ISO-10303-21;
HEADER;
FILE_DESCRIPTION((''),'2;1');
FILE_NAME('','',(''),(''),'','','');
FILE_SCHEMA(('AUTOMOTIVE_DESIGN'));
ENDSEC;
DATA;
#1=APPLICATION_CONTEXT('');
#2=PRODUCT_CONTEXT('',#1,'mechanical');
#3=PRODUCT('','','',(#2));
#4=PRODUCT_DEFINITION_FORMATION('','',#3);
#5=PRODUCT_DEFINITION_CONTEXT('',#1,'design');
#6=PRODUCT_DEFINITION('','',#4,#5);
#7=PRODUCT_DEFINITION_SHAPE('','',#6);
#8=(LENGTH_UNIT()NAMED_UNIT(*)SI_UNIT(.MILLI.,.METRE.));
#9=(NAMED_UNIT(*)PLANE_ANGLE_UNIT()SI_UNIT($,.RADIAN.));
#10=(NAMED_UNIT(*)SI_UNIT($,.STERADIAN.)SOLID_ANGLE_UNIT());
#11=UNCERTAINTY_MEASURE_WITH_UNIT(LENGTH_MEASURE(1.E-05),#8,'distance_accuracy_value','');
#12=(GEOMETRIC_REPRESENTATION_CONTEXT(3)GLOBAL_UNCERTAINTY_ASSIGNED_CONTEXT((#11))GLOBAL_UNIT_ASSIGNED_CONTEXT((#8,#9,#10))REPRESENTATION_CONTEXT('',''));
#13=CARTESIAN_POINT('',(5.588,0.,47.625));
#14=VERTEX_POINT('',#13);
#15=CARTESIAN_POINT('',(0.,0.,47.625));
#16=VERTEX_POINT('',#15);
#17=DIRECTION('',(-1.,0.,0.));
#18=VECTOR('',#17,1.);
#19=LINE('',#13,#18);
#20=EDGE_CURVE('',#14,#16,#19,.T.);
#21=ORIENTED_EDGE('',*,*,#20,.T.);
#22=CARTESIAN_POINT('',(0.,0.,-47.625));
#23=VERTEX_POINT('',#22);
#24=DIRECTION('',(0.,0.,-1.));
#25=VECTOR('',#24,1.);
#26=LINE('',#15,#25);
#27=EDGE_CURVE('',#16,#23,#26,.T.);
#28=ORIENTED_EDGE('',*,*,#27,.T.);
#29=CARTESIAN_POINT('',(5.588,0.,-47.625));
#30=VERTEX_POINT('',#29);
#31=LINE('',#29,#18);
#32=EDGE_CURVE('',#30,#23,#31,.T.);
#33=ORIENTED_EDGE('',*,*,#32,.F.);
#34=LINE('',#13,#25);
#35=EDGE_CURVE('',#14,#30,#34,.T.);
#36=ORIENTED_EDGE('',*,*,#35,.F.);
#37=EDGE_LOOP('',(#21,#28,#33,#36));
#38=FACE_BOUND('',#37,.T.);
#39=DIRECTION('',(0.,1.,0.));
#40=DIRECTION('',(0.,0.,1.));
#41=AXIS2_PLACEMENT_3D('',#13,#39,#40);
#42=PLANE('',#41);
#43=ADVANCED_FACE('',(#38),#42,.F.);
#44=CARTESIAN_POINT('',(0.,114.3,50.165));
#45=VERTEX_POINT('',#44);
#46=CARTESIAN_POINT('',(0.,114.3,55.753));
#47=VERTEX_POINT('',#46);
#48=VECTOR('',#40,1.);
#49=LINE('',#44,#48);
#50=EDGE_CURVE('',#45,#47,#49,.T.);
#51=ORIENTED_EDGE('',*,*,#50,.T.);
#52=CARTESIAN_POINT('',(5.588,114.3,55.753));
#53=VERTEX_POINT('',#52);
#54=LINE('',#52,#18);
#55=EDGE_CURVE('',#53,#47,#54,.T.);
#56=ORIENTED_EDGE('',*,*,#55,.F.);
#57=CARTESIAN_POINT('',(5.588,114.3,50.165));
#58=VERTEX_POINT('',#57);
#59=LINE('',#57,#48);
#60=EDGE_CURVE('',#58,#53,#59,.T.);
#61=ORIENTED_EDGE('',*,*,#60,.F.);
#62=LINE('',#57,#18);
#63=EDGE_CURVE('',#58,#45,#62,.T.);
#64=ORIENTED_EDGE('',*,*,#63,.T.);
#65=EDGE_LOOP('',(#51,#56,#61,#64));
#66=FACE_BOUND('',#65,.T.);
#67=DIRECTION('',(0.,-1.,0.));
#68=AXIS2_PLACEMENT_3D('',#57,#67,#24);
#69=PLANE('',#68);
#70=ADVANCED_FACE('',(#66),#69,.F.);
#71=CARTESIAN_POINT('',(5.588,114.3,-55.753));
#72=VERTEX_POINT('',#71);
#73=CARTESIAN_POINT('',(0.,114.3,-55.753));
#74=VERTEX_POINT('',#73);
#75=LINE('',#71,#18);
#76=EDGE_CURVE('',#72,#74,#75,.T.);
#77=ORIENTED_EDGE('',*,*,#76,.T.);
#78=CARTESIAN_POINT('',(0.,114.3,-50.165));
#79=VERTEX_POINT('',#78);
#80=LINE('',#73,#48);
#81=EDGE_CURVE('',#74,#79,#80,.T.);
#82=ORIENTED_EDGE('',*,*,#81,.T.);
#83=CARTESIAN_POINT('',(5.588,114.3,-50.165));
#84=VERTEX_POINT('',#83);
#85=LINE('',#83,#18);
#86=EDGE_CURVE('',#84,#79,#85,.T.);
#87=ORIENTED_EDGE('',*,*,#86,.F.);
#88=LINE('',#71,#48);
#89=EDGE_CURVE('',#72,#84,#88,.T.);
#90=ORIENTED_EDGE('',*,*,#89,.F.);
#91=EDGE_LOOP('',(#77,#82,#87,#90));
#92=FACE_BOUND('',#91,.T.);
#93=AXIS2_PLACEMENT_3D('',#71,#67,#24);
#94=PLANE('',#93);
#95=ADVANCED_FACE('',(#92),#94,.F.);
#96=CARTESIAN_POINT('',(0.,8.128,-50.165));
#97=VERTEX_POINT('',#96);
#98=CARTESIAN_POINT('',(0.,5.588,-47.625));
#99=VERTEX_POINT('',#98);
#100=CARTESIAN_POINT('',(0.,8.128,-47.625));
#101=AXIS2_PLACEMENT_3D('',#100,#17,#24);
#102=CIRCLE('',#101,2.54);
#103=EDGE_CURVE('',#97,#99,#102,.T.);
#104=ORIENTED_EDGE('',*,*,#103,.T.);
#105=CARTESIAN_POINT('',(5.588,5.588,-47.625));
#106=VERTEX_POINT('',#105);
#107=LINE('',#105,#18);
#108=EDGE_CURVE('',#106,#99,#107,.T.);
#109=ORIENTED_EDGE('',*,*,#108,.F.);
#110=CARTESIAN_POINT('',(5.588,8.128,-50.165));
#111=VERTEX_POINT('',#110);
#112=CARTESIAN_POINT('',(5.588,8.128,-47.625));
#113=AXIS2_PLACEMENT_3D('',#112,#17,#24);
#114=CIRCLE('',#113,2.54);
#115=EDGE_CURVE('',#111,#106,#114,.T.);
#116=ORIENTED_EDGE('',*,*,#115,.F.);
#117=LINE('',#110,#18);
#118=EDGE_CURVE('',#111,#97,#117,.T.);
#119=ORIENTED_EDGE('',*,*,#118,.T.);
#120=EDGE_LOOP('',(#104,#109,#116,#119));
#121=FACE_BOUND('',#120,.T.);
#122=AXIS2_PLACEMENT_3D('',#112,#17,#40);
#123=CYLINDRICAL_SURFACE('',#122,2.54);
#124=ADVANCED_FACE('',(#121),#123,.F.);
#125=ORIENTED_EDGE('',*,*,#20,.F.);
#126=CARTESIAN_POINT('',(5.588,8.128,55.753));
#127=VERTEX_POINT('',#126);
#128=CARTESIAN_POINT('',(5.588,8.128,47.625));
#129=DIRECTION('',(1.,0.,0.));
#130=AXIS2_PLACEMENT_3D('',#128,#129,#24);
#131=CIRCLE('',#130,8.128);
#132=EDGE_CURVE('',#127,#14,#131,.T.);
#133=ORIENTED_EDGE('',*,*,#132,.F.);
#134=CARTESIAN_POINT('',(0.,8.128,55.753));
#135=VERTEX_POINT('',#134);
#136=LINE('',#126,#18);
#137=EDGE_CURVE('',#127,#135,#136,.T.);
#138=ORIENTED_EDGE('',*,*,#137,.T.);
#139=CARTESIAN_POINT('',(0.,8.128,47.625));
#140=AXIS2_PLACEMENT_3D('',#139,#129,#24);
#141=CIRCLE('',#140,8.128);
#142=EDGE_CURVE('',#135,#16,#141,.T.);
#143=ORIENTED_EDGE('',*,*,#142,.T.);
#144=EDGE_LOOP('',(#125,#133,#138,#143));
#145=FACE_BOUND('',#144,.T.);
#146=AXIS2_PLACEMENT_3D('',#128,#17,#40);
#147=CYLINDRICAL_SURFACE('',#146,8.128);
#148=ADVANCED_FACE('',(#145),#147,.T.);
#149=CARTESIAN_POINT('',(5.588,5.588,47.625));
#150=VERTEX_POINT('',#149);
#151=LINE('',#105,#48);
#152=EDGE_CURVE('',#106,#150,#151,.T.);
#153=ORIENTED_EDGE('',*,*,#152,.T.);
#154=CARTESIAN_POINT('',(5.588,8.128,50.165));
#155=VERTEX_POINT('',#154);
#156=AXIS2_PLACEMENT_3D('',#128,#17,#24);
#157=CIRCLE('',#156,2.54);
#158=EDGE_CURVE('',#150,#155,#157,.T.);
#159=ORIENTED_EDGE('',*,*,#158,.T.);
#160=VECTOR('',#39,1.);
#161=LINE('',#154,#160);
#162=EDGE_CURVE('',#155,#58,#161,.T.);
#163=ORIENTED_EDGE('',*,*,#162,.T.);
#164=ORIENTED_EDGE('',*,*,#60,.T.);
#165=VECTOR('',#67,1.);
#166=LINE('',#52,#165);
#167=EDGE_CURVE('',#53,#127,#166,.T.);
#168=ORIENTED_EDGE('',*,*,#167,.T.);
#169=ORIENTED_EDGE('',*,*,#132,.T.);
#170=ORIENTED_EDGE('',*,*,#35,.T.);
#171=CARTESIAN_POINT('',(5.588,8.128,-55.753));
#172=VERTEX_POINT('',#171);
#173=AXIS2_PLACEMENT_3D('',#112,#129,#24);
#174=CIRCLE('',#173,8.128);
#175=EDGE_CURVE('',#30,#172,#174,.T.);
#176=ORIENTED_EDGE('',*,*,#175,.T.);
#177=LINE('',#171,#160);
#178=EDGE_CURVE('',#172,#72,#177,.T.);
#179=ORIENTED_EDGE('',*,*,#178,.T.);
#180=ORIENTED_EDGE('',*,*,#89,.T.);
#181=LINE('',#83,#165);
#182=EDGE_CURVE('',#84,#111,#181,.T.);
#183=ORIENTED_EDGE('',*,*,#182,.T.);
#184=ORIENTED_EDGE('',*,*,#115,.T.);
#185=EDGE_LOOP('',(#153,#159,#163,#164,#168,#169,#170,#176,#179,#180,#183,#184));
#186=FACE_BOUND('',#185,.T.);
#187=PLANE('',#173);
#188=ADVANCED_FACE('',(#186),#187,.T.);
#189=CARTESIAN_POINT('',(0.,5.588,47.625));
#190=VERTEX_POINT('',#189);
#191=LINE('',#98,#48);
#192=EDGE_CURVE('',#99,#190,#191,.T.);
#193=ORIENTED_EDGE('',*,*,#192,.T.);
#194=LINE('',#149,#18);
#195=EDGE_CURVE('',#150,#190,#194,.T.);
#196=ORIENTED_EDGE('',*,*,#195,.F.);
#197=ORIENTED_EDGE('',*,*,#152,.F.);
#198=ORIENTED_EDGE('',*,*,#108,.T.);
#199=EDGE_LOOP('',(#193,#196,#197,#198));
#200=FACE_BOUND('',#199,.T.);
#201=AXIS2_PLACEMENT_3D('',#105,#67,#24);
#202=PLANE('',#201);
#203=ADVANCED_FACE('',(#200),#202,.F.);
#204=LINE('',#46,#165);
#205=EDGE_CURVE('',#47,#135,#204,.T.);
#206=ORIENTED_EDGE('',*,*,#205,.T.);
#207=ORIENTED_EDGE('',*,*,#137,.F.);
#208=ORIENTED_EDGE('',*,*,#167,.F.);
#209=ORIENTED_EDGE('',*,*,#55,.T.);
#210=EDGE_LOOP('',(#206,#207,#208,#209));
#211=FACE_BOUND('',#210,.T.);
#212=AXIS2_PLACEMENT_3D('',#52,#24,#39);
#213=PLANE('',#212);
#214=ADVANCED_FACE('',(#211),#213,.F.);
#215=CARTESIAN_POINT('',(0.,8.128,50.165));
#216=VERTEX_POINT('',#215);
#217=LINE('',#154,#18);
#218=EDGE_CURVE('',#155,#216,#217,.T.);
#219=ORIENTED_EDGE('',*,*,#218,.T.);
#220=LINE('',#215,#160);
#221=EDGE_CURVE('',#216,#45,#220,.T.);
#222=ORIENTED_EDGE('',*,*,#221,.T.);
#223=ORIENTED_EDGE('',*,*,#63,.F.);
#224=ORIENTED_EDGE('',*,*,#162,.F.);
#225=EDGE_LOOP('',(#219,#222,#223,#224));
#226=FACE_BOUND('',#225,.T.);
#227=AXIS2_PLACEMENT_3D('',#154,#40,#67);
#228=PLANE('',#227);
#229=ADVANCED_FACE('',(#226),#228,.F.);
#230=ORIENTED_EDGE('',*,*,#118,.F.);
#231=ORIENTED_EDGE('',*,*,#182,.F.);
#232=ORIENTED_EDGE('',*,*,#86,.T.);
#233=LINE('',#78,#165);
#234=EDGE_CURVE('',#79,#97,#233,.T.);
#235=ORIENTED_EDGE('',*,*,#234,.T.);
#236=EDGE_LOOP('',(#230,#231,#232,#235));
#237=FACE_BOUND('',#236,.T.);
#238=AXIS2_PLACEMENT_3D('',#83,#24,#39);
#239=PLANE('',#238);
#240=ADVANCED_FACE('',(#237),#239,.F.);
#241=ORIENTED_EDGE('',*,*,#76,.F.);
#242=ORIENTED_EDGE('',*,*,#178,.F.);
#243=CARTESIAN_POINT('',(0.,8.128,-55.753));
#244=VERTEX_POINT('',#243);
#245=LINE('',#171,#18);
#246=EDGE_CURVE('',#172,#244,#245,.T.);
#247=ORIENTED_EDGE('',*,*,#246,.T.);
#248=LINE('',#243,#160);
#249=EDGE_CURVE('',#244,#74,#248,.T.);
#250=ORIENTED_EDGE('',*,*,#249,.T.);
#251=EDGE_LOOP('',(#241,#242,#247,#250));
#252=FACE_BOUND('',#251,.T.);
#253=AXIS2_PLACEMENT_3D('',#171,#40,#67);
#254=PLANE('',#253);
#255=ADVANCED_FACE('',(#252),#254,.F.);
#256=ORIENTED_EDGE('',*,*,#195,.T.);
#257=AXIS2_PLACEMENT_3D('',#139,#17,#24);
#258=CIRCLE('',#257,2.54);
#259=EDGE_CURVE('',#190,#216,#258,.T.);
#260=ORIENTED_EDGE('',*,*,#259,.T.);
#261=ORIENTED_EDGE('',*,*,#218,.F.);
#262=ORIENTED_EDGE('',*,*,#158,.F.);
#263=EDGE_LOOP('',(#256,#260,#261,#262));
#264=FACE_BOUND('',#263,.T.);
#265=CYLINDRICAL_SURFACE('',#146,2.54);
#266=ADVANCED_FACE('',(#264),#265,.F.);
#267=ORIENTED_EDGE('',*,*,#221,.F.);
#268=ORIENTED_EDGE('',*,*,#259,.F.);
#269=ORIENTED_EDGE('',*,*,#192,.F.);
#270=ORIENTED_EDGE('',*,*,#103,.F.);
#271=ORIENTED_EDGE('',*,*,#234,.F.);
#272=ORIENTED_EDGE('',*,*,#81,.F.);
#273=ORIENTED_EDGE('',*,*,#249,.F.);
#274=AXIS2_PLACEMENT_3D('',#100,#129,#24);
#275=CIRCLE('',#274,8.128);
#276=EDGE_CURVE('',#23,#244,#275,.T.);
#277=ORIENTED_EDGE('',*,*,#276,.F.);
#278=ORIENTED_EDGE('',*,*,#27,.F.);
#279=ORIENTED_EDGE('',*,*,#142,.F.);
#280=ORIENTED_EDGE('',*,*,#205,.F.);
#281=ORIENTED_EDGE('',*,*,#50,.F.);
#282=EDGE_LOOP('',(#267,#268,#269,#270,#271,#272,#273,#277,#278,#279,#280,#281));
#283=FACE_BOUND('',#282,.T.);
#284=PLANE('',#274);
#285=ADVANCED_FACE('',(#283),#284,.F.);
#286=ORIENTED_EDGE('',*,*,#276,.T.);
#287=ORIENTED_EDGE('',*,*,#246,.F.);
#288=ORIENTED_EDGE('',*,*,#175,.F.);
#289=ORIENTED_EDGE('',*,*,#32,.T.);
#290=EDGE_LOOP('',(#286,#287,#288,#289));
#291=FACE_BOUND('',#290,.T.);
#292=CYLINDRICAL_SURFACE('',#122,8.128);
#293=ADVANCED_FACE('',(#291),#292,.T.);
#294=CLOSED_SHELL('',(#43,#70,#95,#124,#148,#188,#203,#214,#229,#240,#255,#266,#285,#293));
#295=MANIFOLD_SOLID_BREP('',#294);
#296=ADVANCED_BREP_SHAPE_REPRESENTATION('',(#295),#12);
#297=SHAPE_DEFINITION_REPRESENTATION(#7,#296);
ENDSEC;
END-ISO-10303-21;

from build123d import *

# Parameters (mm, degrees)
BOSS_EXTRUDE1_DEPTH = 5.588


with BuildPart() as part:
    # Sketch1 → Boss-Extrude1 (new body)
    with BuildSketch(Plane(origin=(0, 0, 0), x_dir=(0, 0, -1), z_dir=(1, 0, 0))):
        with BuildLine():
            Line((-47.625, 0), (47.625, 0))
            ThreePointArc((47.625, 0), (53.372363917, 2.380636083), (55.753, 8.128))
            Line((55.753, 8.128), (55.753, 114.3))
            Line((55.753, 114.3), (50.165, 114.3))
            Line((50.165, 114.3), (50.165, 8.128))
            ThreePointArc((50.165, 8.128), (49.421051224, 6.331948776), (47.625, 5.588))
            Line((47.625, 5.588), (-47.625, 5.588))
            ThreePointArc((-47.625, 5.588), (-49.421051224, 6.331948776), (-50.165, 8.128))
            Line((-50.165, 8.128), (-50.165, 114.3))
            Line((-50.165, 114.3), (-55.753, 114.3))
            Line((-55.753, 114.3), (-55.753, 8.128))
            ThreePointArc((-55.753, 8.128), (-53.372363917, 2.380636083), (-47.625, 0))
        make_face()
    extrude(amount=BOSS_EXTRUDE1_DEPTH)


solid = part.part
